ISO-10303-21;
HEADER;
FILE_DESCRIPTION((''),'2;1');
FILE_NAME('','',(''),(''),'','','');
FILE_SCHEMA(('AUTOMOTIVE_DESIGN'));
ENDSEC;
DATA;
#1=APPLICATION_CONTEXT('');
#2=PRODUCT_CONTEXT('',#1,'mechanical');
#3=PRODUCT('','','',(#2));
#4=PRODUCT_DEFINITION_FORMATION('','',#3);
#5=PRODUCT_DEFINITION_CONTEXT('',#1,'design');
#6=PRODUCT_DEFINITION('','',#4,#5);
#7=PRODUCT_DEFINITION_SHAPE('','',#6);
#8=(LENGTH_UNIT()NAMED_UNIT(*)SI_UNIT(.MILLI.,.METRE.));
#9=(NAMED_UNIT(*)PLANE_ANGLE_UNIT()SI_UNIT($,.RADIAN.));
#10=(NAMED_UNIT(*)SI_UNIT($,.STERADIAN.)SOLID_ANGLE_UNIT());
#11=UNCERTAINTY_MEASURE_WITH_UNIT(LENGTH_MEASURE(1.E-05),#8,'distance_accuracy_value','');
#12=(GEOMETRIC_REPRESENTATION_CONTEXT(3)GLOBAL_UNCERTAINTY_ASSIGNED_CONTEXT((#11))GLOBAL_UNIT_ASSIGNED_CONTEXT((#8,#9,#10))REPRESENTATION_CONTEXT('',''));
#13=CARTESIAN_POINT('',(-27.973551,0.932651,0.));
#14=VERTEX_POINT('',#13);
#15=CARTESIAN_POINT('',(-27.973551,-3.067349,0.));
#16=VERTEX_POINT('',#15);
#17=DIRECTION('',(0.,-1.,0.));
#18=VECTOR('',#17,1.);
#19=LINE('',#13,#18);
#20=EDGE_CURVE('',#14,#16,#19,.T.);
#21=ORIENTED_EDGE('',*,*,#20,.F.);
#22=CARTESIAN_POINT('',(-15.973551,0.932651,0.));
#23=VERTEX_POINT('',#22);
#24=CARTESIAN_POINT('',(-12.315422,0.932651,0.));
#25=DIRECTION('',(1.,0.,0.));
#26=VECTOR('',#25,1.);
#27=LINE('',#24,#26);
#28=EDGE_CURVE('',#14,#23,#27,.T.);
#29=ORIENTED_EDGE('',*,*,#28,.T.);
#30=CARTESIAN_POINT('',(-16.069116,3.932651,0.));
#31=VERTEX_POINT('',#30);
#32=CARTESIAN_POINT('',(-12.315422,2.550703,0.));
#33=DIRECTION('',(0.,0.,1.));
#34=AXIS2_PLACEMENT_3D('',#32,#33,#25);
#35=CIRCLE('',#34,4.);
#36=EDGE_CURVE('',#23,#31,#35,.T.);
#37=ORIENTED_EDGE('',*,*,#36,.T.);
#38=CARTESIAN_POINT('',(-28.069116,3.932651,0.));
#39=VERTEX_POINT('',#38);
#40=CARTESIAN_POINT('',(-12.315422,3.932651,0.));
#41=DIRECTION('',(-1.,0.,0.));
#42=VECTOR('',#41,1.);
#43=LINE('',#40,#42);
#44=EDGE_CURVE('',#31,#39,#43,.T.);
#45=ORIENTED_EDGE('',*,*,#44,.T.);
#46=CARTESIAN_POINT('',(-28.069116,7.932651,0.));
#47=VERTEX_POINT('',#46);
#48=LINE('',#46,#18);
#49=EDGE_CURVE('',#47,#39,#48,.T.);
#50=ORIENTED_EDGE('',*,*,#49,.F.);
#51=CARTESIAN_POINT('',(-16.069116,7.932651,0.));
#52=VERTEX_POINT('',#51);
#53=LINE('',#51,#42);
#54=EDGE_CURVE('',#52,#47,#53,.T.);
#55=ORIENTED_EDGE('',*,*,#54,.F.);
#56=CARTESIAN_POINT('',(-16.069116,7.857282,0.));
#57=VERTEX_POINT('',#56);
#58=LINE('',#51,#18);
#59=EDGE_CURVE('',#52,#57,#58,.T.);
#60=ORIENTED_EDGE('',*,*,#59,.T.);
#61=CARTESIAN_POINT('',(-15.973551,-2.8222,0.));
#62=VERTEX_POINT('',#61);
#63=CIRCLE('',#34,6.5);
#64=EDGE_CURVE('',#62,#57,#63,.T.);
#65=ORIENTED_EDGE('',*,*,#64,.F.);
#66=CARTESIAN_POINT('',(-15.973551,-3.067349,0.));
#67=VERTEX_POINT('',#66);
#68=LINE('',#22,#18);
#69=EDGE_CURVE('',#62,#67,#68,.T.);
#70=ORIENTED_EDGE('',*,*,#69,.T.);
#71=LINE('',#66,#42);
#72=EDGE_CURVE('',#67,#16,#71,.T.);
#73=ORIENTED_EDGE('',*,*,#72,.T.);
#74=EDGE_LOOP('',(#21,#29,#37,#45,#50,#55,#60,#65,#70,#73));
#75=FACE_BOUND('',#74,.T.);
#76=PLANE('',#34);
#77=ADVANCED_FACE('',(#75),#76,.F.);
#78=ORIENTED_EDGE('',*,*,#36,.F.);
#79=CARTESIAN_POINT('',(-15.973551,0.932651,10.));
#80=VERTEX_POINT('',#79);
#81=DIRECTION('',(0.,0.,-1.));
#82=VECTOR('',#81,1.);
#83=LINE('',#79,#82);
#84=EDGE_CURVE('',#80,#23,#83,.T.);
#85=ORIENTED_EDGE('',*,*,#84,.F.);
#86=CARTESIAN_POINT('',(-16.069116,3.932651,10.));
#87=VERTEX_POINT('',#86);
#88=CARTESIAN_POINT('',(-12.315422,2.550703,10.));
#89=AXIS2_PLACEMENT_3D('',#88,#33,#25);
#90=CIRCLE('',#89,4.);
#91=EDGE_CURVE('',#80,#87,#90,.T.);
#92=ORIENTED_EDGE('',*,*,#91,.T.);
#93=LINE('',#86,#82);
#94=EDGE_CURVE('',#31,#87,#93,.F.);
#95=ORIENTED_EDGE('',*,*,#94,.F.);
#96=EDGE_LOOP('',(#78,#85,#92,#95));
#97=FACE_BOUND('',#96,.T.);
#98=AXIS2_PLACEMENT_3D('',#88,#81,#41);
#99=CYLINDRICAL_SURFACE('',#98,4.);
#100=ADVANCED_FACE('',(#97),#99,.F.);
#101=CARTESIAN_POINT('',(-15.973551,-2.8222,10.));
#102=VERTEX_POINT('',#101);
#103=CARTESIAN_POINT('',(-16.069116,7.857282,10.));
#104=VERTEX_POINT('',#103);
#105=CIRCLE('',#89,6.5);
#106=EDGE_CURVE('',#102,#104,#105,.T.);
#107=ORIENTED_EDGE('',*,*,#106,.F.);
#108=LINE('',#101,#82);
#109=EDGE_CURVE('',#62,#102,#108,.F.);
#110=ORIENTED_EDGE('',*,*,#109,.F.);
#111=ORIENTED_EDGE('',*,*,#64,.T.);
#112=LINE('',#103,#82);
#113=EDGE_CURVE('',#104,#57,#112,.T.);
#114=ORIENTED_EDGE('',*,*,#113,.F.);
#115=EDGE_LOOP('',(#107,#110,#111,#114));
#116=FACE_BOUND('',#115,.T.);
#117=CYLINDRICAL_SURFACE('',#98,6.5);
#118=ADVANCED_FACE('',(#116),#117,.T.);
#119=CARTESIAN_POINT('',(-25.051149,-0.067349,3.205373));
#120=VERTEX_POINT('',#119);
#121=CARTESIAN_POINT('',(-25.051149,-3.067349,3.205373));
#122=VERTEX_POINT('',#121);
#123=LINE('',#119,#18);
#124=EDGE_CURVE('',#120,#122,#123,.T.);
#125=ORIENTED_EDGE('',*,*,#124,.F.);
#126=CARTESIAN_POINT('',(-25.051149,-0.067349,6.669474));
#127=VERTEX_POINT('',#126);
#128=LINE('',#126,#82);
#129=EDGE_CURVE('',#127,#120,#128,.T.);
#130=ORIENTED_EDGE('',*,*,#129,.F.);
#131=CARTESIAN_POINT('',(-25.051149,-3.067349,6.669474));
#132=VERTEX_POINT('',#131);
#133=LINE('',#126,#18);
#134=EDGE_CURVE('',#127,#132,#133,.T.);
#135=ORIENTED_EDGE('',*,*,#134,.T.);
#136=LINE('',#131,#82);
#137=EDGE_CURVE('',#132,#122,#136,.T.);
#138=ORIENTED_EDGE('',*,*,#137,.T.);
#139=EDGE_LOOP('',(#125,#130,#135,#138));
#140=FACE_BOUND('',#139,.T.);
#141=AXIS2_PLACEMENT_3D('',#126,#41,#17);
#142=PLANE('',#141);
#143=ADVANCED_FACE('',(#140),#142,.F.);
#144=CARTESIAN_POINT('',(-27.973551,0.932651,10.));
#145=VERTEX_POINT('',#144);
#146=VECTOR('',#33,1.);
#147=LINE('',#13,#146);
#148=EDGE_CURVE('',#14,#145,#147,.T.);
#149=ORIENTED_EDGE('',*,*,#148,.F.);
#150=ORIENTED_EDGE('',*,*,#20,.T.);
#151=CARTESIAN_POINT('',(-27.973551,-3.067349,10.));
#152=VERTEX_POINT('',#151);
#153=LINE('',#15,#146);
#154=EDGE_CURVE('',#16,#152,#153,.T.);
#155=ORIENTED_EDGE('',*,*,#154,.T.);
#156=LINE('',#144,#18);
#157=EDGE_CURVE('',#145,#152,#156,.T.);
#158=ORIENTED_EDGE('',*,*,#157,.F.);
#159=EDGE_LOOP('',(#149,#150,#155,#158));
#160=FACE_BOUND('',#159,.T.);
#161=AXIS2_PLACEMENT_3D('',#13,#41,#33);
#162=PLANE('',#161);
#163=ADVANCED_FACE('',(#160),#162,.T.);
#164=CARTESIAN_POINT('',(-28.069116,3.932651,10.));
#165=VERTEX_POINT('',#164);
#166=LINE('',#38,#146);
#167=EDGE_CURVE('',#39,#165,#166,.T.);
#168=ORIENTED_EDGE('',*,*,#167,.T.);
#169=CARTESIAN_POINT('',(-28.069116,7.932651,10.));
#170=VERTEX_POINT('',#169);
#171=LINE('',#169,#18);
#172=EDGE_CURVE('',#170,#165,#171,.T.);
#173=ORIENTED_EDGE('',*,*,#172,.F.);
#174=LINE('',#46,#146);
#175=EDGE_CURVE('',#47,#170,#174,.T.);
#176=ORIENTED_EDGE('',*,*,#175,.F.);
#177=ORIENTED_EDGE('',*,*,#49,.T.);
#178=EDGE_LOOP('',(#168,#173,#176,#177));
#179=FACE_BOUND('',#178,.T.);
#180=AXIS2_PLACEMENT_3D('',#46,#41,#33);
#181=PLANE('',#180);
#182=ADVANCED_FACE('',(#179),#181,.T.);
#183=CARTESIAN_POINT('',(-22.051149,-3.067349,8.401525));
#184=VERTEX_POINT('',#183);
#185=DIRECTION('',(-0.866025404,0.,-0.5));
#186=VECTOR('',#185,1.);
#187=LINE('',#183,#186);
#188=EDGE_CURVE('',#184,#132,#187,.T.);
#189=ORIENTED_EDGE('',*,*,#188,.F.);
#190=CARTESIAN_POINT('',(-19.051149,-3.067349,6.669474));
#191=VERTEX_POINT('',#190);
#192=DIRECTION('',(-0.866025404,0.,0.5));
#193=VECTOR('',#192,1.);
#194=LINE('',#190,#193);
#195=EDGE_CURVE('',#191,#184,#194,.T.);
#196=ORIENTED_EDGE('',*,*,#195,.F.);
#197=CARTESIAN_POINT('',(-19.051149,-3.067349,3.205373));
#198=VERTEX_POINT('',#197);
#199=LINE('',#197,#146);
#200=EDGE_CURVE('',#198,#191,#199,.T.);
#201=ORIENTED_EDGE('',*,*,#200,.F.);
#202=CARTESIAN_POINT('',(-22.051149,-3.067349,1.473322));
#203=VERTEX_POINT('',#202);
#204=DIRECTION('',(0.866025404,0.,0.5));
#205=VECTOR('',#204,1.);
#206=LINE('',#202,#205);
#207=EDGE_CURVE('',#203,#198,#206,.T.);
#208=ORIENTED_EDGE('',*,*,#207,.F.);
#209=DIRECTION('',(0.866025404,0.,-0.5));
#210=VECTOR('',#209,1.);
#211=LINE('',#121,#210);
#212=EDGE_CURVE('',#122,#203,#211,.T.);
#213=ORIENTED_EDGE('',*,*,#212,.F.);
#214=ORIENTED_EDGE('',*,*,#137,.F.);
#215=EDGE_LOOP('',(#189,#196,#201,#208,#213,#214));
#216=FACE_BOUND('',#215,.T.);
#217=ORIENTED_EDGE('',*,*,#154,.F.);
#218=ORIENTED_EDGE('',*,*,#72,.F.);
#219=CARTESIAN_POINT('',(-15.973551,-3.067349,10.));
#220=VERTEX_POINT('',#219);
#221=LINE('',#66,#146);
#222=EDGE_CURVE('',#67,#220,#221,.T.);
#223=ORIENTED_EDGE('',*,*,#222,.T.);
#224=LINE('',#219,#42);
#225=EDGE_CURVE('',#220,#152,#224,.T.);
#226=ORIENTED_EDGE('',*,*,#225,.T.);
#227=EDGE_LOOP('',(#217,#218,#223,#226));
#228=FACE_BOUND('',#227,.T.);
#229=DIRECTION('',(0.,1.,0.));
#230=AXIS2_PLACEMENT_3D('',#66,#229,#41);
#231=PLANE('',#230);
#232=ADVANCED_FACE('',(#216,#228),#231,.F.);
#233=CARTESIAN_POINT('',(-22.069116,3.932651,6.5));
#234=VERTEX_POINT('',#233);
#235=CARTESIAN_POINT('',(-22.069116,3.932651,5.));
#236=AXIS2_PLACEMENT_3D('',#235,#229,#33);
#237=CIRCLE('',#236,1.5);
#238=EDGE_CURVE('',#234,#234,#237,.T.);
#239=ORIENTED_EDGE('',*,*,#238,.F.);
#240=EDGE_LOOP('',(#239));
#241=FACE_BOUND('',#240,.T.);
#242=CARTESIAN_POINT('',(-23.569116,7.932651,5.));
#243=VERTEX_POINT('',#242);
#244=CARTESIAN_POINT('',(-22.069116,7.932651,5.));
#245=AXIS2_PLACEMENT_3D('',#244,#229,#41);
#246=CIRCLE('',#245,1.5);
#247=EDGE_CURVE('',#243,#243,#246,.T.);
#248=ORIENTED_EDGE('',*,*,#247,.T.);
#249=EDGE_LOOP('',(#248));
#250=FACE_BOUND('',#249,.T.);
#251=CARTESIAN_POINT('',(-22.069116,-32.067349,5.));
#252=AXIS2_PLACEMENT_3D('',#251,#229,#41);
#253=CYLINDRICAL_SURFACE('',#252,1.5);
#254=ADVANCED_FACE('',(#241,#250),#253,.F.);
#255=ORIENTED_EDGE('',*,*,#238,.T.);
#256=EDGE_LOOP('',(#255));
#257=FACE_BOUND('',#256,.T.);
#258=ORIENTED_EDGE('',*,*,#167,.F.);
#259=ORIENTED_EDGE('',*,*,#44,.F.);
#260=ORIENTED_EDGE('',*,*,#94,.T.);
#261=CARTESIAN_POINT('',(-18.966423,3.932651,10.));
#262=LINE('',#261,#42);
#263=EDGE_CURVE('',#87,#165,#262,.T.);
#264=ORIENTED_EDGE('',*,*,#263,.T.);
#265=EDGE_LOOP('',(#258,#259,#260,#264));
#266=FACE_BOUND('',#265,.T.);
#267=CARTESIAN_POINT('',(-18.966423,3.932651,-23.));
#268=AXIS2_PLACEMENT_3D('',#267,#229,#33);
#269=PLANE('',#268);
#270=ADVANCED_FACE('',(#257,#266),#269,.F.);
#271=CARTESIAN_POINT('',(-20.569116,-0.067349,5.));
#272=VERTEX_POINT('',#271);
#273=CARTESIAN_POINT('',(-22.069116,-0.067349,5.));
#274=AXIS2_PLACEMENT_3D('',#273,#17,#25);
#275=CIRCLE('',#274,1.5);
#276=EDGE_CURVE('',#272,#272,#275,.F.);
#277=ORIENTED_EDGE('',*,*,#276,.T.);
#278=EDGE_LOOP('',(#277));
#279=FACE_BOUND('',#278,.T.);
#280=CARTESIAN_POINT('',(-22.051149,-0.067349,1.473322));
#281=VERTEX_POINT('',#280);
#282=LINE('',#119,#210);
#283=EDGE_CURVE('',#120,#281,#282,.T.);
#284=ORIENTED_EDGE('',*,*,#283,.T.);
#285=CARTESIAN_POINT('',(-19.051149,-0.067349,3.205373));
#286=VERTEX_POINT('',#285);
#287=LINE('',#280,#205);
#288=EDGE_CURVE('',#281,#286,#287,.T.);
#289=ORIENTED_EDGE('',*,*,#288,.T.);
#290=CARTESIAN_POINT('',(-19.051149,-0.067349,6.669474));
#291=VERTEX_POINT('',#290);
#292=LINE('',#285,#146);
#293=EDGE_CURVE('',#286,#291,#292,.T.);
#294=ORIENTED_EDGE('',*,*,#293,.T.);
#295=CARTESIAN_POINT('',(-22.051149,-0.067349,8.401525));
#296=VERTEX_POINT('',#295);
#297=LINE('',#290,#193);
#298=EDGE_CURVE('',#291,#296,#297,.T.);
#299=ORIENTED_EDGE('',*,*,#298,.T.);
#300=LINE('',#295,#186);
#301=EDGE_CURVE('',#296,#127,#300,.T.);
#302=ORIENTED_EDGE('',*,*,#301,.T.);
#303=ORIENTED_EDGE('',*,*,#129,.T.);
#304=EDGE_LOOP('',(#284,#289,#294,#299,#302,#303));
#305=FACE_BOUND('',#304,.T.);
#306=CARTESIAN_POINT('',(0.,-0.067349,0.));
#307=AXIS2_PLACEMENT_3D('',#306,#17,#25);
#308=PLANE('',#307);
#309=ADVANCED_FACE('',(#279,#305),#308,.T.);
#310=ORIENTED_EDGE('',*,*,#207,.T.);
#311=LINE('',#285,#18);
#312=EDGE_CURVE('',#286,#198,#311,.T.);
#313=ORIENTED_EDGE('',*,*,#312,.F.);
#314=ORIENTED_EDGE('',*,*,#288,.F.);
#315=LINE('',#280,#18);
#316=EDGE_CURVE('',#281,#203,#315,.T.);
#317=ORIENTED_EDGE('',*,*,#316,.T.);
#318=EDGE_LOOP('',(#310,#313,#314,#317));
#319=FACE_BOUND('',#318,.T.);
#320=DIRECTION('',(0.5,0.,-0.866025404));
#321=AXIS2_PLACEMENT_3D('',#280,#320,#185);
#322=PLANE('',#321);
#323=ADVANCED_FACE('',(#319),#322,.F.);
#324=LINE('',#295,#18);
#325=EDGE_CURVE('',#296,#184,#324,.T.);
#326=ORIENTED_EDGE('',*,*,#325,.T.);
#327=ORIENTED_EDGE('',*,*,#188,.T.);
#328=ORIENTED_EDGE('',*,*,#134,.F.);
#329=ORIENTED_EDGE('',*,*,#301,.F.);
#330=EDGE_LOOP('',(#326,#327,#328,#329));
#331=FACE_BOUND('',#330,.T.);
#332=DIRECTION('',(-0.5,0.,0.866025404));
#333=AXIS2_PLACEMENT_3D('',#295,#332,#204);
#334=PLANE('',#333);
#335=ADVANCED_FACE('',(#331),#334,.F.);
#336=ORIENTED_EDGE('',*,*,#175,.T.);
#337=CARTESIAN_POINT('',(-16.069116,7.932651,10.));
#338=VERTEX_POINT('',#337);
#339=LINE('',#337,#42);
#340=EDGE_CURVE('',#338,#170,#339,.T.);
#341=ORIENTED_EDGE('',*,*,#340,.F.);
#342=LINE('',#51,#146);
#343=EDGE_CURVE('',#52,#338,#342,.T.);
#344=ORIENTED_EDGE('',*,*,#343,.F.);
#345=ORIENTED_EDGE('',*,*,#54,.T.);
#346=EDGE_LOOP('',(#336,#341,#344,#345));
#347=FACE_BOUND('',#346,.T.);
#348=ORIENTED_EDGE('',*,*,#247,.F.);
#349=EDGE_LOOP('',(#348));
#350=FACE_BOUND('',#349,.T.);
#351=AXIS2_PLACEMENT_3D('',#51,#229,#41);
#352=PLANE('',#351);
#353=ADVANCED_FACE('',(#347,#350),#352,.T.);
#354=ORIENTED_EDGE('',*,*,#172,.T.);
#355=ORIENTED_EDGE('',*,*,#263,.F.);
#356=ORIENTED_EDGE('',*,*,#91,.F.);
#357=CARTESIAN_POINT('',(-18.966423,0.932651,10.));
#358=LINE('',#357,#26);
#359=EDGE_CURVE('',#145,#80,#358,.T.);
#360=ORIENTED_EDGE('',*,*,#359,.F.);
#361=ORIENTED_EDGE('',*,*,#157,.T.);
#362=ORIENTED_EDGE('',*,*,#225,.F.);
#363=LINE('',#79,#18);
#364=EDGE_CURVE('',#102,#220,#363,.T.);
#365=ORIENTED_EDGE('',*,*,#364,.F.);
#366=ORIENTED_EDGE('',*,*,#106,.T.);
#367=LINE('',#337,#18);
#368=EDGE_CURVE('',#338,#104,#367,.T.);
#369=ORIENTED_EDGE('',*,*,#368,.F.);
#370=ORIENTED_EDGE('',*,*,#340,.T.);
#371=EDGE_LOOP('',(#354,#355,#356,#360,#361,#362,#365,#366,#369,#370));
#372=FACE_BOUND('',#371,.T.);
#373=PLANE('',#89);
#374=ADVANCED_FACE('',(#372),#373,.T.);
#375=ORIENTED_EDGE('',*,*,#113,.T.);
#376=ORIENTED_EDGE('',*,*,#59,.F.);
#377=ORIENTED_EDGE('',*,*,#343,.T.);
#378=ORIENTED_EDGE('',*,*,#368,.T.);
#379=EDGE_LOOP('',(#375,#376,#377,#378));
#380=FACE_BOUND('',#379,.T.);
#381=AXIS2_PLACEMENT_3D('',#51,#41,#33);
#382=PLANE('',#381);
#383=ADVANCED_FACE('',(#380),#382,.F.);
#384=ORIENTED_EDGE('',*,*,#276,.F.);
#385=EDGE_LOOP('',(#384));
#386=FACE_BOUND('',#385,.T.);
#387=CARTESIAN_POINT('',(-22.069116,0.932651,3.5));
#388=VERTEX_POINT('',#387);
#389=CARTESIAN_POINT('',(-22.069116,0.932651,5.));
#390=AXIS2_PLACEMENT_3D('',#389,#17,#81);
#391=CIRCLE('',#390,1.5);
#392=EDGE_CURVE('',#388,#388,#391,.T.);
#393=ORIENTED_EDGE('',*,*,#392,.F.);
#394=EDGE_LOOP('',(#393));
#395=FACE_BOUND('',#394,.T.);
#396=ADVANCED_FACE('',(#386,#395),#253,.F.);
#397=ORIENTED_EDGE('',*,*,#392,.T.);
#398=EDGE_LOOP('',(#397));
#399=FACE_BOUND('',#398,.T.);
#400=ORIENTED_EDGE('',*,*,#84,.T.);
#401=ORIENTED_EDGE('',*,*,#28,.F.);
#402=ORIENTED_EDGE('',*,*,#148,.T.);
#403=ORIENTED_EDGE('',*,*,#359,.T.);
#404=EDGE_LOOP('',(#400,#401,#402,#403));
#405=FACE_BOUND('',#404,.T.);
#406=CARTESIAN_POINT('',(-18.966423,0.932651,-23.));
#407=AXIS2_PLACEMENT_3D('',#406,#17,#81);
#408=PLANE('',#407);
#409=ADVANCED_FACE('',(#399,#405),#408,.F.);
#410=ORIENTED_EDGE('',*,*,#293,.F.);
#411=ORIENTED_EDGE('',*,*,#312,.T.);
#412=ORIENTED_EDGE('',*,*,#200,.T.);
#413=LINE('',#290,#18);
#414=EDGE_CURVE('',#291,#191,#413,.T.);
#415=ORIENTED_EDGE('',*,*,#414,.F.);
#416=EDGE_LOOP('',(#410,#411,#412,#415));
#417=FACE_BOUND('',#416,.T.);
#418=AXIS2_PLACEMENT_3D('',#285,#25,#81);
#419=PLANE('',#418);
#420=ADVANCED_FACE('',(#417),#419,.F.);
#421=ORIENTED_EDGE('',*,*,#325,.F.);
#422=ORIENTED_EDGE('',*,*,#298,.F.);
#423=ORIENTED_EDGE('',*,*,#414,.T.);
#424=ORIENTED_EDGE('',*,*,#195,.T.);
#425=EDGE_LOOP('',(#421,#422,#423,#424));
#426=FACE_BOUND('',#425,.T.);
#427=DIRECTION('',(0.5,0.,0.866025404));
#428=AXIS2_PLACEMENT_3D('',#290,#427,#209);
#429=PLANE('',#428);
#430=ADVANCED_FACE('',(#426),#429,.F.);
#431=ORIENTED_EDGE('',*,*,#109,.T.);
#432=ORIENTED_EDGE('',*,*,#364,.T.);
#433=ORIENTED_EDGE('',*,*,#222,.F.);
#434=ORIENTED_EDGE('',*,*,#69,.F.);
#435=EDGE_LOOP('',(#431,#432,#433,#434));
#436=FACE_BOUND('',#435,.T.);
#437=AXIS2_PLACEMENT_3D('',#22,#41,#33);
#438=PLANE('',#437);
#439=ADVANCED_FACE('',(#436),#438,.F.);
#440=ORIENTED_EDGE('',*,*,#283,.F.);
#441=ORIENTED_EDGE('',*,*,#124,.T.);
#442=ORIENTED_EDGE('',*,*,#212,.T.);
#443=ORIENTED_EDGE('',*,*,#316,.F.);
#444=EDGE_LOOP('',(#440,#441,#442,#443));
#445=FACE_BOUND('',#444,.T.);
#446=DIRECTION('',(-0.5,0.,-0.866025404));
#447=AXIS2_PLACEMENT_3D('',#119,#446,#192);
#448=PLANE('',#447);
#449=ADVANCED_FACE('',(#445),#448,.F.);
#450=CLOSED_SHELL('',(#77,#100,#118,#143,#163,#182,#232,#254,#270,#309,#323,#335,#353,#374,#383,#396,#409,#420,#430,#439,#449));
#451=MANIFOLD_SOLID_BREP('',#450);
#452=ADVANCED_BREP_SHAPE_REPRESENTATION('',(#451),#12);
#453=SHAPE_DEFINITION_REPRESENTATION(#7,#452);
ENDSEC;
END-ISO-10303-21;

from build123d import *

# Parameters (mm, degrees)
SKETCH1_R           = 6.5
SKETCH1_R_2         = 4
BOSS_EXTRUDE1_DEPTH = 10
SKETCH2_W           = 3.218226301
SKETCH2_H           = 3
CUT_EXTRUDE1_DEPTH  = 33
SKETCH3_W           = 12
SKETCH3_H           = 4
BOSS_EXTRUDE2_DEPTH = 10
SKETCH4_R           = 1.5
CUT_EXTRUDE2_DEPTH  = 40
CUT_EXTRUDE3_DEPTH  = 3


with BuildPart() as part:
    # Sketch1 → Boss-Extrude1 (new body)
    with BuildSketch(Plane.XY):
        with Locations((-12.315422017, 2.550703256)):
            Circle(SKETCH1_R)
        with Locations((-12.315422017, 2.550703256)):
            Circle(SKETCH1_R_2, mode=Mode.SUBTRACT)
    extrude(amount=BOSS_EXTRUDE1_DEPTH)

    # Sketch2 → Cut-Extrude1 (cut)
    with BuildSketch(Plane.XY.offset(10)):
        with Locations((-17.357309889, 2.432650589)):
            Rectangle(SKETCH2_W, SKETCH2_H)
    extrude(amount=-CUT_EXTRUDE1_DEPTH, mode=Mode.SUBTRACT)

    # Sketch3 → Boss-Extrude2 (add)
    with BuildSketch(Plane.XY.offset(10)):
        with Locations((-21.973550714, -1.067349411)):
            Rectangle(SKETCH3_W, SKETCH3_H)
        with Locations((-22.069116407, 5.932650589)):
            Rectangle(SKETCH3_W, SKETCH3_H)
    extrude(amount=-BOSS_EXTRUDE2_DEPTH)

    # Sketch4 → Cut-Extrude2 (cut)
    with BuildSketch(Plane(origin=(0, 7.932650589, 0), x_dir=(1, 0, 0), z_dir=(0, 1, 0))):
        with Locations(Location((-22.069116407, -5, 0), (0, 0, 180))):
            Circle(SKETCH4_R)
    extrude(amount=-CUT_EXTRUDE2_DEPTH, mode=Mode.SUBTRACT)

    # Sketch5 → Cut-Extrude3 (cut)
    with BuildSketch(Plane(origin=(0, -3.067349411, 0), x_dir=(-1, 0, 0), z_dir=(0, -1, 0))):
        Polygon((19.051149057, -6.669474185), (22.051149057, -8.401524993), (25.051149057, -6.669474185), (25.051149057, -3.20537257), (22.051149057, -1.473321762), (19.051149057, -3.20537257), align=None)
    extrude(amount=-CUT_EXTRUDE3_DEPTH, mode=Mode.SUBTRACT)


solid = part.part
